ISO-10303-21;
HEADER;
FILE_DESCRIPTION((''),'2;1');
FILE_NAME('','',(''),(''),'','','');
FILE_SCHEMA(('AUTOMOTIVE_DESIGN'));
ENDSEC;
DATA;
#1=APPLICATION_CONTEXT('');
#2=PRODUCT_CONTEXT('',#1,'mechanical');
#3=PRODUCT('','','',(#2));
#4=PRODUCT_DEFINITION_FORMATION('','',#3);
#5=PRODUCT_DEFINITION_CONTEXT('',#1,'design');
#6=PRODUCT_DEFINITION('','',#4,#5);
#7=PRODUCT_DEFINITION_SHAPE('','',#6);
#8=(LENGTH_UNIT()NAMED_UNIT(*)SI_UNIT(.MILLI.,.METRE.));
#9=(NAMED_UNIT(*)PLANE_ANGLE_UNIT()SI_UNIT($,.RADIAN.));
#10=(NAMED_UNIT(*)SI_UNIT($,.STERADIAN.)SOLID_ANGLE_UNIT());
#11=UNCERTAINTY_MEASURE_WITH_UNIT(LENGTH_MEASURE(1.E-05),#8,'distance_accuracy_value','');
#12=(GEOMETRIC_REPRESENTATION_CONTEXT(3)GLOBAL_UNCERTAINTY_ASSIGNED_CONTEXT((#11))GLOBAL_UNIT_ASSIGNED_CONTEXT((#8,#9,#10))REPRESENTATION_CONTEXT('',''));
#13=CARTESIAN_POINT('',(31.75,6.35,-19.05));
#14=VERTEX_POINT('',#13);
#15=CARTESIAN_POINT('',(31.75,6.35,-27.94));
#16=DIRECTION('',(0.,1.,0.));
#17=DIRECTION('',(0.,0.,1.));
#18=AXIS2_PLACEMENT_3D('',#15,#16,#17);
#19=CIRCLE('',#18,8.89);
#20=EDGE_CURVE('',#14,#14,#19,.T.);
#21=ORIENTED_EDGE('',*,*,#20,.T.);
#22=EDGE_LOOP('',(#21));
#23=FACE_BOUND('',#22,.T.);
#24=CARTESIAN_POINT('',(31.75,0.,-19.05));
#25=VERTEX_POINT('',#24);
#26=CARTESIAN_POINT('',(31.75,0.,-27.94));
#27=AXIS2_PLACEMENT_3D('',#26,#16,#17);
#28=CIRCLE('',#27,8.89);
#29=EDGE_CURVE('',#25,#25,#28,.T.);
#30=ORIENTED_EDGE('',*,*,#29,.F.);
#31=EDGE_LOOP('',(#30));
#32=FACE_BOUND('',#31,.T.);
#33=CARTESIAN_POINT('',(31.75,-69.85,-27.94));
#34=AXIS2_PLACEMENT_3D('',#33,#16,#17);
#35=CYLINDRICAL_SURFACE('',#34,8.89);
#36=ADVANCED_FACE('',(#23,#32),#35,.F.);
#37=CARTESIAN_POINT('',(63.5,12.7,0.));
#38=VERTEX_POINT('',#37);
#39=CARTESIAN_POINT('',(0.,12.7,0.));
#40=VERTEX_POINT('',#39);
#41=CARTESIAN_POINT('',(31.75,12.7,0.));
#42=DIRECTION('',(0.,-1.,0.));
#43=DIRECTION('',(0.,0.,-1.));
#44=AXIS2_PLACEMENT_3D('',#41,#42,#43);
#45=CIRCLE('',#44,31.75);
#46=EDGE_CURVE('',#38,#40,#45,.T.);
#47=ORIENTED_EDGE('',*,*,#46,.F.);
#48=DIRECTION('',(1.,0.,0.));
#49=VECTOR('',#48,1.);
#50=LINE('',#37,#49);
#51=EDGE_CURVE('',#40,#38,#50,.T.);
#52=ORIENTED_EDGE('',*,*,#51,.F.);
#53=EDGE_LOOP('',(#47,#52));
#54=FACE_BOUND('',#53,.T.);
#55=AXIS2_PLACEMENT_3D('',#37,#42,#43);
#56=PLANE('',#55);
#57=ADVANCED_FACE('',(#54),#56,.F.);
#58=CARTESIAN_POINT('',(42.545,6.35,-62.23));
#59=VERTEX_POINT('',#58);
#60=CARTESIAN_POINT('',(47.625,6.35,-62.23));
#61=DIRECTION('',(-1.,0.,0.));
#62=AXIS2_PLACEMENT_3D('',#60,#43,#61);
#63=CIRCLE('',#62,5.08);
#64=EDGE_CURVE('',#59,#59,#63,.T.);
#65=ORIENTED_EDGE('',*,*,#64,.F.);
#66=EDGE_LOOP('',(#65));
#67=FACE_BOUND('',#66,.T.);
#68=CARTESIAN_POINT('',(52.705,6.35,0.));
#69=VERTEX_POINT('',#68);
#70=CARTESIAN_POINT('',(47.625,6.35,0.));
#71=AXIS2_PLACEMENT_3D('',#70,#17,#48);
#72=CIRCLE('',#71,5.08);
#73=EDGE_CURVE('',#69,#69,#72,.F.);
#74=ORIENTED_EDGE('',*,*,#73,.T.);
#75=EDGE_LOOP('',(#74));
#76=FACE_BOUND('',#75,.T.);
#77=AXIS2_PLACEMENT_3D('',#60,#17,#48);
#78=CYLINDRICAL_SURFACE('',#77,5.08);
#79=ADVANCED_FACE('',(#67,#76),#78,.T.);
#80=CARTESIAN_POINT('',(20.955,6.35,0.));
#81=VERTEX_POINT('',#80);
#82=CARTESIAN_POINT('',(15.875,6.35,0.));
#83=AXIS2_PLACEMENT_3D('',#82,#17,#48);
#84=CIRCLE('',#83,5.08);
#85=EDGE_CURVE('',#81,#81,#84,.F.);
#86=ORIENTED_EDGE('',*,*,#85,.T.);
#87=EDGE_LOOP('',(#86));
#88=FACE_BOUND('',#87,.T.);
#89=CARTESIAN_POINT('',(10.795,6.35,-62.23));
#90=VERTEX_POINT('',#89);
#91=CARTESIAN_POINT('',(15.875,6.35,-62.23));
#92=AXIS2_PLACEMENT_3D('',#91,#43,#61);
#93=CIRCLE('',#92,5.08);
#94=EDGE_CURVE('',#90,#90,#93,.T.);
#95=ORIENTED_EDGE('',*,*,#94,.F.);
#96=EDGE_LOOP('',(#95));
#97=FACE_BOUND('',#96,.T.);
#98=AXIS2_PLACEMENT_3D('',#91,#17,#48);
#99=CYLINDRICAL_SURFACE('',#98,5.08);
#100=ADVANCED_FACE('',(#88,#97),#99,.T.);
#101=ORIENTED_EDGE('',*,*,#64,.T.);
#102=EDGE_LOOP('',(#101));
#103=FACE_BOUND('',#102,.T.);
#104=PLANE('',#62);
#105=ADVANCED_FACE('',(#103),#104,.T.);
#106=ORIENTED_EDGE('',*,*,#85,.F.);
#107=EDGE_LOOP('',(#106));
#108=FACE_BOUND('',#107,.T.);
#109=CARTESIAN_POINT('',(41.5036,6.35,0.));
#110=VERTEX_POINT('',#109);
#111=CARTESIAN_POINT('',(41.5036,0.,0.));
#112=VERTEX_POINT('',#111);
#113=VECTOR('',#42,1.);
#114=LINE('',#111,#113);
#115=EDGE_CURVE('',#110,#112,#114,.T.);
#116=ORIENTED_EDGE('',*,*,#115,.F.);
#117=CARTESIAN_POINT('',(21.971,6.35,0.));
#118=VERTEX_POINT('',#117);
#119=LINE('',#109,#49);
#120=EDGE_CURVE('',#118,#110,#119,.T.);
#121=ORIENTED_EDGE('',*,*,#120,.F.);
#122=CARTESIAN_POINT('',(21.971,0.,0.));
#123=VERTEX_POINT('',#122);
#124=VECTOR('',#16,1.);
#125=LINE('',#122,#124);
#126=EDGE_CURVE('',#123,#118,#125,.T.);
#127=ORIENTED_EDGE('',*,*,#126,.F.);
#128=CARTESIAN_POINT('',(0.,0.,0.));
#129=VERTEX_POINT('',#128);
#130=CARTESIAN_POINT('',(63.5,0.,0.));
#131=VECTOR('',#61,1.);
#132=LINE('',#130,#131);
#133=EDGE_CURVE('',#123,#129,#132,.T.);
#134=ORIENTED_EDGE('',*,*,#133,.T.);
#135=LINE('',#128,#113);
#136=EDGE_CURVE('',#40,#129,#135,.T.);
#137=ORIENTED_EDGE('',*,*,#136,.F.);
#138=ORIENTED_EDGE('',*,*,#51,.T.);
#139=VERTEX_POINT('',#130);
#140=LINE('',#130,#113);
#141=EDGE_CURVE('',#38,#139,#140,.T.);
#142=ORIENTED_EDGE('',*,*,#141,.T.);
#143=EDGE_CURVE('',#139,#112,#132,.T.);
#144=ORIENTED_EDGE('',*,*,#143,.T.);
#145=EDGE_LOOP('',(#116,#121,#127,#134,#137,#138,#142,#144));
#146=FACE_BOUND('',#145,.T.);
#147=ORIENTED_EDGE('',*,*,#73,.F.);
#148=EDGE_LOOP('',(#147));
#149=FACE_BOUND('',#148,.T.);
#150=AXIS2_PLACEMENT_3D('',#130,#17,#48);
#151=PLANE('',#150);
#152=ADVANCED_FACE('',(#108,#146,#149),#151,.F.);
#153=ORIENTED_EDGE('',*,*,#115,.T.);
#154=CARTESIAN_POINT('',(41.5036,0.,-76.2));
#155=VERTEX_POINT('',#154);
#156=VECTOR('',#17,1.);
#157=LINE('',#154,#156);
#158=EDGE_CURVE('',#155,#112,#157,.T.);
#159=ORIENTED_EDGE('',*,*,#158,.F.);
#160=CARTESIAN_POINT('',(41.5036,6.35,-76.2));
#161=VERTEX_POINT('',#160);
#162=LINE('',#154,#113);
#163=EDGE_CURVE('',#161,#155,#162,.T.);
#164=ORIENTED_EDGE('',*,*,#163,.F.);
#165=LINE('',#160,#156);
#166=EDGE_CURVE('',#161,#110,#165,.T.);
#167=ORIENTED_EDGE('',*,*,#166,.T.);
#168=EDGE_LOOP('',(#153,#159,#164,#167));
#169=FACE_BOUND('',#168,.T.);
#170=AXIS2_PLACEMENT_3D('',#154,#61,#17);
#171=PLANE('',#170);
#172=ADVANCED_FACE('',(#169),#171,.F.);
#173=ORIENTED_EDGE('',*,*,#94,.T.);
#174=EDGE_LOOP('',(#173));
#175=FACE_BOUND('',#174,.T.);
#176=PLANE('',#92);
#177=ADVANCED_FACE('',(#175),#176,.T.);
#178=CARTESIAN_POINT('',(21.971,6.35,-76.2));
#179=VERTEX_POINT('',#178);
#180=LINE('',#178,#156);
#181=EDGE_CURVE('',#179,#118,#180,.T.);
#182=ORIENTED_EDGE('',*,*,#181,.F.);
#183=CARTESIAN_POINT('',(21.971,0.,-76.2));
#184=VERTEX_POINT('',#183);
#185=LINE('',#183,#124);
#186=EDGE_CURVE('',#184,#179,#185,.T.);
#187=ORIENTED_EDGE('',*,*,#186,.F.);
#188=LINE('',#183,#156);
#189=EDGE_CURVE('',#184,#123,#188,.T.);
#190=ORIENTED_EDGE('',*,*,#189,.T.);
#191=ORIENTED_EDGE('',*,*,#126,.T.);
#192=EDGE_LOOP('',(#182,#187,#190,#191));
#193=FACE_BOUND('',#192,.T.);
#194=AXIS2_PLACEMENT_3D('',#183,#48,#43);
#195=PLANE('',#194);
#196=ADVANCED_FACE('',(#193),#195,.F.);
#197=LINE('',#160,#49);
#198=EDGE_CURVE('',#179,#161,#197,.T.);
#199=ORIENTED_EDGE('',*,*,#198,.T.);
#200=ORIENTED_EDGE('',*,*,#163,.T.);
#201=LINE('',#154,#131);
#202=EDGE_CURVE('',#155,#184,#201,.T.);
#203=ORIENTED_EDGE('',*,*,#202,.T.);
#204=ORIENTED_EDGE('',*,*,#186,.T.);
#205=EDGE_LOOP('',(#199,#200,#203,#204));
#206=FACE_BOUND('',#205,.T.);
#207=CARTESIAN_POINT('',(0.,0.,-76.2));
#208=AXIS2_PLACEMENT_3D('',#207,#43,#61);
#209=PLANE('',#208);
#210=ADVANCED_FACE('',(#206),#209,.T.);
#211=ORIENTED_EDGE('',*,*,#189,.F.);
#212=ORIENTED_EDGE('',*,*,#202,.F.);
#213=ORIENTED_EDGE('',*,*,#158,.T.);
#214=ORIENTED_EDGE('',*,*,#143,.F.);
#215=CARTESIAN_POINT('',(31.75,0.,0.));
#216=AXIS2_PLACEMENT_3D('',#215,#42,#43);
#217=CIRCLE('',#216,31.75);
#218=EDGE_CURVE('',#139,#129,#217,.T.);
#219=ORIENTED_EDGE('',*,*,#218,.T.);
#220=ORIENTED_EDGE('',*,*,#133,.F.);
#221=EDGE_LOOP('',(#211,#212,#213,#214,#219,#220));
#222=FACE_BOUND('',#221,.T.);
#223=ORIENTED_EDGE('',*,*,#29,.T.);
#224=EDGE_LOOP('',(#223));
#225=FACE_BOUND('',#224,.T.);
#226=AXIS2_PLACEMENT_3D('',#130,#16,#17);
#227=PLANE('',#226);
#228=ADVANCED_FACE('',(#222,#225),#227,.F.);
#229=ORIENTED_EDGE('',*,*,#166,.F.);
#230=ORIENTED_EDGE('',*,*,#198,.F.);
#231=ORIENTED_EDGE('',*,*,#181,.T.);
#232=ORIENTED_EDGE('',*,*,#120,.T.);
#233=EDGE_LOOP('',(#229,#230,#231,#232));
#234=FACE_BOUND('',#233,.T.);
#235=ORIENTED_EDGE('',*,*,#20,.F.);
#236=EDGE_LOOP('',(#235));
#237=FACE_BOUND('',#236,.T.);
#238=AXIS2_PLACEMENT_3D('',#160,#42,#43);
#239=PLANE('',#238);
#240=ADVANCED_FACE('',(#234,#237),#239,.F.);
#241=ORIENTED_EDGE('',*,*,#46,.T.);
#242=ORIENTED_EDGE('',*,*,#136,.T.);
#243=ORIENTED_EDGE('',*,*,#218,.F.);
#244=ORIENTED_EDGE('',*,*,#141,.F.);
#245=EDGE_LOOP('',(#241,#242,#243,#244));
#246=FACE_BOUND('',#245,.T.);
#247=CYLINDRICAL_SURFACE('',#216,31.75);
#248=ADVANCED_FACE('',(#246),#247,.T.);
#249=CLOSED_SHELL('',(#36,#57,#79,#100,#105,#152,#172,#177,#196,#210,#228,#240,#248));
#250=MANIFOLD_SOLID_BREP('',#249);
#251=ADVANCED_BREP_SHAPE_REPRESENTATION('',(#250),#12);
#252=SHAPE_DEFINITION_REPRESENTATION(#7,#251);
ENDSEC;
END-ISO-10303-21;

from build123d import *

# Parameters (mm, degrees)
SKETCH2_W           = 31.75
SKETCH2_H           = 12.7
REVOLVE1_ANGLE      = 180
SKETCH3_R           = 5.08
BOSS_EXTRUDE1_DEPTH = 62.23
SKETCH4_W           = 19.5326
SKETCH4_H           = 6.35
BOSS_EXTRUDE2_DEPTH = 76.2
SKETCH5_R           = 8.89
CUT_EXTRUDE1_DEPTH  = 76.2


with BuildPart() as part:
    # Sketch2 → Revolve1 (revolve)
    with BuildSketch(Plane.XY):
        with Locations((15.875, 6.35)):
            Rectangle(SKETCH2_W, SKETCH2_H)
    revolve(axis=Axis((31.75, 0, 0), (0, 1, 0)), revolution_arc=REVOLVE1_ANGLE)

    # Sketch3 → Boss-Extrude1 (add)
    with BuildSketch(Plane(origin=(0, 0, 0), x_dir=(-1, 0, 0), z_dir=(0, 0, -1))):
        with Locations((-47.625, 6.35)):
            Circle(SKETCH3_R)
        with Locations((-15.875, 6.35)):
            Circle(SKETCH3_R)
    extrude(amount=BOSS_EXTRUDE1_DEPTH)

    # Sketch4 → Boss-Extrude2 (add)
    with BuildSketch(Plane(origin=(0, 0, 0), x_dir=(-1, 0, 0), z_dir=(0, 0, -1))):
        with Locations((-31.7373, 3.175)):
            Rectangle(SKETCH4_W, SKETCH4_H)
    extrude(amount=BOSS_EXTRUDE2_DEPTH)

    # Sketch5 → Cut-Extrude1 (cut)
    with BuildSketch(Plane(origin=(0, 6.35, 0), x_dir=(1, 0, 0), z_dir=(0, 1, 0))):
        with Locations((31.75, 27.94)):
            Circle(SKETCH5_R)
    extrude(amount=-CUT_EXTRUDE1_DEPTH, mode=Mode.SUBTRACT)


solid = part.part
